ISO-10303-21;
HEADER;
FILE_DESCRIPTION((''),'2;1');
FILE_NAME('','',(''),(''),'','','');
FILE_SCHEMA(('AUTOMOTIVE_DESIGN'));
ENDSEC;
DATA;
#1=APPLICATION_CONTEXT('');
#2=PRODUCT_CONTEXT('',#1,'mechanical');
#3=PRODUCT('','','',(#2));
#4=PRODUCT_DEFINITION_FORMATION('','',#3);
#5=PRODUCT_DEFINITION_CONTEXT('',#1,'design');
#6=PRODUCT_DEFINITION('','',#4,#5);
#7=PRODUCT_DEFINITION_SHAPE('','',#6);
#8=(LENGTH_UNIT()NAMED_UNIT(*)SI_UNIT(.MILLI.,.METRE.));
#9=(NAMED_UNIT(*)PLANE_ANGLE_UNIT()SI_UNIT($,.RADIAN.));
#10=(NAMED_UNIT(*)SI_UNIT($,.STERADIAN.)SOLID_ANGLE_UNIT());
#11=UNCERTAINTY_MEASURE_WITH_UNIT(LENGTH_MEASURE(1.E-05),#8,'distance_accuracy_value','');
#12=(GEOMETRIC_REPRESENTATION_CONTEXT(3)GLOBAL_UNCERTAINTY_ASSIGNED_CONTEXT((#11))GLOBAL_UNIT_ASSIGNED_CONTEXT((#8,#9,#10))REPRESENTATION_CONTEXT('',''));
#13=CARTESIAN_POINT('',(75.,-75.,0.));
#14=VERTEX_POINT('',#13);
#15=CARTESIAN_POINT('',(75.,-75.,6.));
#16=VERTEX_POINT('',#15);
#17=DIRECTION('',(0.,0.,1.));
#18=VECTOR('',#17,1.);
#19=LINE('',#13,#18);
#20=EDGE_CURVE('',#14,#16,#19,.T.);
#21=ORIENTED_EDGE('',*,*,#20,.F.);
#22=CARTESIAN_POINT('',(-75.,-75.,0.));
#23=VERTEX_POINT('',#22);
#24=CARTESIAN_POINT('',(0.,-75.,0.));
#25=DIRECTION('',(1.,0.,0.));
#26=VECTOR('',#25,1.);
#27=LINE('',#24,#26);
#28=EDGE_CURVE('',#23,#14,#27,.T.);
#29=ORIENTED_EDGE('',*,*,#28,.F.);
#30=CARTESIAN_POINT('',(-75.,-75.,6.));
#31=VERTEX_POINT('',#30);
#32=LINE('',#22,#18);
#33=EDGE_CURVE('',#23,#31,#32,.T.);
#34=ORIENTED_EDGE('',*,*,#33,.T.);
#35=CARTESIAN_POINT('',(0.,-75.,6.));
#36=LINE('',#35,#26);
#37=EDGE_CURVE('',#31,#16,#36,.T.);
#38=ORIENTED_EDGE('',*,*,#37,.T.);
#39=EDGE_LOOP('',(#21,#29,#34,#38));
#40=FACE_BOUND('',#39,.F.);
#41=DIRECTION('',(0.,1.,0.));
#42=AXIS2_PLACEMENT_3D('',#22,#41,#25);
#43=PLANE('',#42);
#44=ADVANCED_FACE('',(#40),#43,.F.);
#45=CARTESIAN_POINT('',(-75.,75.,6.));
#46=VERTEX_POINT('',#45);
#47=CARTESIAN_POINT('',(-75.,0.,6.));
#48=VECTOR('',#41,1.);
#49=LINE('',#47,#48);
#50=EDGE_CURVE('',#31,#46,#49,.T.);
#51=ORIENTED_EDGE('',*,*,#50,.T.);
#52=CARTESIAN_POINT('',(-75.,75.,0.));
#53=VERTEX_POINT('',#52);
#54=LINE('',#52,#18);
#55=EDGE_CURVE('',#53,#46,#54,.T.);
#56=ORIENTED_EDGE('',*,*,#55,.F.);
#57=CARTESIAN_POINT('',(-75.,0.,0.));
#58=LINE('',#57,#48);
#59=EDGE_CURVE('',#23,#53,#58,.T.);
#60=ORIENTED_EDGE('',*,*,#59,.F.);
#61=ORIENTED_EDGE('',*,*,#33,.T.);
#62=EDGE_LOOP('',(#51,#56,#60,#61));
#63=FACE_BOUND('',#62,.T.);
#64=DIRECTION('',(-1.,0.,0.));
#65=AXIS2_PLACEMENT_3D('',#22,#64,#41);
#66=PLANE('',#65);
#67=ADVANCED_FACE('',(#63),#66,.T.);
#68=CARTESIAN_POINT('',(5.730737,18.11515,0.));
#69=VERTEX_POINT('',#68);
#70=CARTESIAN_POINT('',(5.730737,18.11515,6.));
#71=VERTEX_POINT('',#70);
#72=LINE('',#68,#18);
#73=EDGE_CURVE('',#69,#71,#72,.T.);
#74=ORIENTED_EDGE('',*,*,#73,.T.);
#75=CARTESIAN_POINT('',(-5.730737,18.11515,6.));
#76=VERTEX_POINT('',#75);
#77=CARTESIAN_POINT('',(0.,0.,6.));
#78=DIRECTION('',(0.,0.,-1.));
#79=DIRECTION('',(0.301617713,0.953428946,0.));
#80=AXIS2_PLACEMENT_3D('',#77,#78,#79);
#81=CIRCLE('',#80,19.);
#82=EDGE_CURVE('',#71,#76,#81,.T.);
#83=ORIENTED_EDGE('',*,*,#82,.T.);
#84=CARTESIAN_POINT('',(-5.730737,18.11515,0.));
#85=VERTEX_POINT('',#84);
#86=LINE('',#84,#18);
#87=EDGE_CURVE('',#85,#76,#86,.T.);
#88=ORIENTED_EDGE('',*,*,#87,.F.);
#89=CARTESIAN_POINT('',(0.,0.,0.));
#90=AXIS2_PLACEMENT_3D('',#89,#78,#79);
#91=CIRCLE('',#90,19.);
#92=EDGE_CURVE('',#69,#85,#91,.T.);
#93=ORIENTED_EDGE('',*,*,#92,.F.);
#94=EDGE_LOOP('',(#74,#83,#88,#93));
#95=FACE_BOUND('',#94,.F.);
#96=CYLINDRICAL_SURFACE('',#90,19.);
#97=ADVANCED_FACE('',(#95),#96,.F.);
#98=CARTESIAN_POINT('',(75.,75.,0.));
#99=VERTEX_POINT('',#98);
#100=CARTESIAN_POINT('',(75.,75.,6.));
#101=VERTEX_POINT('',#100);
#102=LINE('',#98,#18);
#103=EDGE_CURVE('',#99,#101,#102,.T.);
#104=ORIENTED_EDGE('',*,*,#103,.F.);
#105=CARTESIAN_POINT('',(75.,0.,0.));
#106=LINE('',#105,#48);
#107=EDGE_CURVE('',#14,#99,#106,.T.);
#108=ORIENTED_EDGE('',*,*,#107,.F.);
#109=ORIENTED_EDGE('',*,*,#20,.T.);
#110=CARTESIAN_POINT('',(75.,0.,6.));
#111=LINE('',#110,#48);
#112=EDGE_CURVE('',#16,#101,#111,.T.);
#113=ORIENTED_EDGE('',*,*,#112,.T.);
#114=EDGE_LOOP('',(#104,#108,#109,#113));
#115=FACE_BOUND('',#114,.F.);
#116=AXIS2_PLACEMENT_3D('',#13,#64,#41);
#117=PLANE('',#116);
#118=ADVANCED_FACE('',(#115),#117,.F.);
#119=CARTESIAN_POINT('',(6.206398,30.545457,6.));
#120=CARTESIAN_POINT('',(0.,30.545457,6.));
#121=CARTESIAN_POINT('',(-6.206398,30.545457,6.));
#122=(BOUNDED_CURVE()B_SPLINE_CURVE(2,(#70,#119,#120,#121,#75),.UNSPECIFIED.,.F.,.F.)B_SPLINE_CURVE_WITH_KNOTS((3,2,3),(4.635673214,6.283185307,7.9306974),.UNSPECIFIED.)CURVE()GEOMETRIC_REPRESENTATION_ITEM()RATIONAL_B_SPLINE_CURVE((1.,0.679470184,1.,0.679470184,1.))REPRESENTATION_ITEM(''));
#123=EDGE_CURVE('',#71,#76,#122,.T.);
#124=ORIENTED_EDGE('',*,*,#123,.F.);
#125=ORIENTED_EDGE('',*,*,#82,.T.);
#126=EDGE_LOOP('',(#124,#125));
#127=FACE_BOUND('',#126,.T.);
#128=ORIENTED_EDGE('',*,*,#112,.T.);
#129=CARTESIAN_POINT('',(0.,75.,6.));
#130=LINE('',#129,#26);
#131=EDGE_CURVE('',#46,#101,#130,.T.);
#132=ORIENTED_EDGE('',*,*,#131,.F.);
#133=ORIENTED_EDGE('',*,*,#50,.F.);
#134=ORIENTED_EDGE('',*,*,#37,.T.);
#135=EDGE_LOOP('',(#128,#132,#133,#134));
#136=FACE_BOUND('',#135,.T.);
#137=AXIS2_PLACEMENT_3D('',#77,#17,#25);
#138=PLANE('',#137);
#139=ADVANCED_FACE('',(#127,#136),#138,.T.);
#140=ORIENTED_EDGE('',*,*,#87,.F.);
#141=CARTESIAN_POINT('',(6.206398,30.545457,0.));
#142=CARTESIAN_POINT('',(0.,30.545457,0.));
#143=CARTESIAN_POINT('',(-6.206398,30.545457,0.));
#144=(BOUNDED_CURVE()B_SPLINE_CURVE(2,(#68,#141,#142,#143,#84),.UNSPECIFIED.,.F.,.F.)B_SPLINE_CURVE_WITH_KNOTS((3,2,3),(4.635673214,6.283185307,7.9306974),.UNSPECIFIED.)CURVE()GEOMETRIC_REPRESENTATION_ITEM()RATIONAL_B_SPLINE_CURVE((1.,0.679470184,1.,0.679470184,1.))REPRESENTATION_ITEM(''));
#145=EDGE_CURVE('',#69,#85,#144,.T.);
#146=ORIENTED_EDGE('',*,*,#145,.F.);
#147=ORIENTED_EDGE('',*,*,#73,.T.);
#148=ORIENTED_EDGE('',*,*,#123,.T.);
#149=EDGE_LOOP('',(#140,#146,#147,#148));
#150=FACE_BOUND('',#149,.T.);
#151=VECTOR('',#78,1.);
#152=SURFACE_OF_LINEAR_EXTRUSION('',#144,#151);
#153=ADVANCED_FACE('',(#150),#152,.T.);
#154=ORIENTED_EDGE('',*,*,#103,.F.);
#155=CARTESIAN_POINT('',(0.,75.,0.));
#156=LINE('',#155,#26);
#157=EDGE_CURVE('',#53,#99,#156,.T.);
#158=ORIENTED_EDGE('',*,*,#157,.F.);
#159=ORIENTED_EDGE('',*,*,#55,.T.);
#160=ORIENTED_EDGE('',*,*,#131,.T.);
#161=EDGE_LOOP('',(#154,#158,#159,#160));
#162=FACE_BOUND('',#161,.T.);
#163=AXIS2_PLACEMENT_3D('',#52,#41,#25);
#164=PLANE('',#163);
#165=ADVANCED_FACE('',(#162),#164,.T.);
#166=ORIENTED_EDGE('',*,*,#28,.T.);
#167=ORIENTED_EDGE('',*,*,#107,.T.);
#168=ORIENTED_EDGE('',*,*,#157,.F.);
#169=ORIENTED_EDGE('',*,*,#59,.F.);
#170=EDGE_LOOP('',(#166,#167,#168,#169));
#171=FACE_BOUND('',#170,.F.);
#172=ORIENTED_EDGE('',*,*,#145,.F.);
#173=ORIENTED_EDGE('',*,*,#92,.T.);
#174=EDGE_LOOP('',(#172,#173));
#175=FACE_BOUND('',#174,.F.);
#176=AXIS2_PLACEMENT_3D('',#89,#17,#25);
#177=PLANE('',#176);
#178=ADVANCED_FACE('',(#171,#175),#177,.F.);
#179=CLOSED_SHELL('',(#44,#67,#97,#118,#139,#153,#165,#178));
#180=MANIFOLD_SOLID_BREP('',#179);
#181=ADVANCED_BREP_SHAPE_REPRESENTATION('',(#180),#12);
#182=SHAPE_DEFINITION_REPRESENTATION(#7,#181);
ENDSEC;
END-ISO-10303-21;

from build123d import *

# Parameters (mm, degrees)
F0_W     = 150
F0_H     = 150
F1_DEPTH = 6


with BuildPart() as f1:
    # F0 (on Top) → F1 (new body)
    with BuildSketch(Plane.XY):
        Rectangle(F0_W, F0_H)
        with BuildLine():
            ThreePointArc((5.7307365463, 18.1151499756), (0, -19), (-5.7307365463, 18.1151499756))
            add(Edge.make_bspline(
                [(5.7307365463, 18.1151499756), (6.2063982555, 30.545456659), (0, 30.545456659), (-6.2063982555, 30.545456659), (-5.7307365463, 18.1151499756)],
                knots=[4.6356732139, 4.6356732139, 4.6356732139, 6.2831853072, 6.2831853072, 7.9306974004, 7.9306974004, 7.9306974004], degree=2, weights=[1, 0.6794701836, 1, 0.6794701836, 1]))
        make_face(mode=Mode.SUBTRACT)
    extrude(amount=F1_DEPTH)


solid = f1.part
